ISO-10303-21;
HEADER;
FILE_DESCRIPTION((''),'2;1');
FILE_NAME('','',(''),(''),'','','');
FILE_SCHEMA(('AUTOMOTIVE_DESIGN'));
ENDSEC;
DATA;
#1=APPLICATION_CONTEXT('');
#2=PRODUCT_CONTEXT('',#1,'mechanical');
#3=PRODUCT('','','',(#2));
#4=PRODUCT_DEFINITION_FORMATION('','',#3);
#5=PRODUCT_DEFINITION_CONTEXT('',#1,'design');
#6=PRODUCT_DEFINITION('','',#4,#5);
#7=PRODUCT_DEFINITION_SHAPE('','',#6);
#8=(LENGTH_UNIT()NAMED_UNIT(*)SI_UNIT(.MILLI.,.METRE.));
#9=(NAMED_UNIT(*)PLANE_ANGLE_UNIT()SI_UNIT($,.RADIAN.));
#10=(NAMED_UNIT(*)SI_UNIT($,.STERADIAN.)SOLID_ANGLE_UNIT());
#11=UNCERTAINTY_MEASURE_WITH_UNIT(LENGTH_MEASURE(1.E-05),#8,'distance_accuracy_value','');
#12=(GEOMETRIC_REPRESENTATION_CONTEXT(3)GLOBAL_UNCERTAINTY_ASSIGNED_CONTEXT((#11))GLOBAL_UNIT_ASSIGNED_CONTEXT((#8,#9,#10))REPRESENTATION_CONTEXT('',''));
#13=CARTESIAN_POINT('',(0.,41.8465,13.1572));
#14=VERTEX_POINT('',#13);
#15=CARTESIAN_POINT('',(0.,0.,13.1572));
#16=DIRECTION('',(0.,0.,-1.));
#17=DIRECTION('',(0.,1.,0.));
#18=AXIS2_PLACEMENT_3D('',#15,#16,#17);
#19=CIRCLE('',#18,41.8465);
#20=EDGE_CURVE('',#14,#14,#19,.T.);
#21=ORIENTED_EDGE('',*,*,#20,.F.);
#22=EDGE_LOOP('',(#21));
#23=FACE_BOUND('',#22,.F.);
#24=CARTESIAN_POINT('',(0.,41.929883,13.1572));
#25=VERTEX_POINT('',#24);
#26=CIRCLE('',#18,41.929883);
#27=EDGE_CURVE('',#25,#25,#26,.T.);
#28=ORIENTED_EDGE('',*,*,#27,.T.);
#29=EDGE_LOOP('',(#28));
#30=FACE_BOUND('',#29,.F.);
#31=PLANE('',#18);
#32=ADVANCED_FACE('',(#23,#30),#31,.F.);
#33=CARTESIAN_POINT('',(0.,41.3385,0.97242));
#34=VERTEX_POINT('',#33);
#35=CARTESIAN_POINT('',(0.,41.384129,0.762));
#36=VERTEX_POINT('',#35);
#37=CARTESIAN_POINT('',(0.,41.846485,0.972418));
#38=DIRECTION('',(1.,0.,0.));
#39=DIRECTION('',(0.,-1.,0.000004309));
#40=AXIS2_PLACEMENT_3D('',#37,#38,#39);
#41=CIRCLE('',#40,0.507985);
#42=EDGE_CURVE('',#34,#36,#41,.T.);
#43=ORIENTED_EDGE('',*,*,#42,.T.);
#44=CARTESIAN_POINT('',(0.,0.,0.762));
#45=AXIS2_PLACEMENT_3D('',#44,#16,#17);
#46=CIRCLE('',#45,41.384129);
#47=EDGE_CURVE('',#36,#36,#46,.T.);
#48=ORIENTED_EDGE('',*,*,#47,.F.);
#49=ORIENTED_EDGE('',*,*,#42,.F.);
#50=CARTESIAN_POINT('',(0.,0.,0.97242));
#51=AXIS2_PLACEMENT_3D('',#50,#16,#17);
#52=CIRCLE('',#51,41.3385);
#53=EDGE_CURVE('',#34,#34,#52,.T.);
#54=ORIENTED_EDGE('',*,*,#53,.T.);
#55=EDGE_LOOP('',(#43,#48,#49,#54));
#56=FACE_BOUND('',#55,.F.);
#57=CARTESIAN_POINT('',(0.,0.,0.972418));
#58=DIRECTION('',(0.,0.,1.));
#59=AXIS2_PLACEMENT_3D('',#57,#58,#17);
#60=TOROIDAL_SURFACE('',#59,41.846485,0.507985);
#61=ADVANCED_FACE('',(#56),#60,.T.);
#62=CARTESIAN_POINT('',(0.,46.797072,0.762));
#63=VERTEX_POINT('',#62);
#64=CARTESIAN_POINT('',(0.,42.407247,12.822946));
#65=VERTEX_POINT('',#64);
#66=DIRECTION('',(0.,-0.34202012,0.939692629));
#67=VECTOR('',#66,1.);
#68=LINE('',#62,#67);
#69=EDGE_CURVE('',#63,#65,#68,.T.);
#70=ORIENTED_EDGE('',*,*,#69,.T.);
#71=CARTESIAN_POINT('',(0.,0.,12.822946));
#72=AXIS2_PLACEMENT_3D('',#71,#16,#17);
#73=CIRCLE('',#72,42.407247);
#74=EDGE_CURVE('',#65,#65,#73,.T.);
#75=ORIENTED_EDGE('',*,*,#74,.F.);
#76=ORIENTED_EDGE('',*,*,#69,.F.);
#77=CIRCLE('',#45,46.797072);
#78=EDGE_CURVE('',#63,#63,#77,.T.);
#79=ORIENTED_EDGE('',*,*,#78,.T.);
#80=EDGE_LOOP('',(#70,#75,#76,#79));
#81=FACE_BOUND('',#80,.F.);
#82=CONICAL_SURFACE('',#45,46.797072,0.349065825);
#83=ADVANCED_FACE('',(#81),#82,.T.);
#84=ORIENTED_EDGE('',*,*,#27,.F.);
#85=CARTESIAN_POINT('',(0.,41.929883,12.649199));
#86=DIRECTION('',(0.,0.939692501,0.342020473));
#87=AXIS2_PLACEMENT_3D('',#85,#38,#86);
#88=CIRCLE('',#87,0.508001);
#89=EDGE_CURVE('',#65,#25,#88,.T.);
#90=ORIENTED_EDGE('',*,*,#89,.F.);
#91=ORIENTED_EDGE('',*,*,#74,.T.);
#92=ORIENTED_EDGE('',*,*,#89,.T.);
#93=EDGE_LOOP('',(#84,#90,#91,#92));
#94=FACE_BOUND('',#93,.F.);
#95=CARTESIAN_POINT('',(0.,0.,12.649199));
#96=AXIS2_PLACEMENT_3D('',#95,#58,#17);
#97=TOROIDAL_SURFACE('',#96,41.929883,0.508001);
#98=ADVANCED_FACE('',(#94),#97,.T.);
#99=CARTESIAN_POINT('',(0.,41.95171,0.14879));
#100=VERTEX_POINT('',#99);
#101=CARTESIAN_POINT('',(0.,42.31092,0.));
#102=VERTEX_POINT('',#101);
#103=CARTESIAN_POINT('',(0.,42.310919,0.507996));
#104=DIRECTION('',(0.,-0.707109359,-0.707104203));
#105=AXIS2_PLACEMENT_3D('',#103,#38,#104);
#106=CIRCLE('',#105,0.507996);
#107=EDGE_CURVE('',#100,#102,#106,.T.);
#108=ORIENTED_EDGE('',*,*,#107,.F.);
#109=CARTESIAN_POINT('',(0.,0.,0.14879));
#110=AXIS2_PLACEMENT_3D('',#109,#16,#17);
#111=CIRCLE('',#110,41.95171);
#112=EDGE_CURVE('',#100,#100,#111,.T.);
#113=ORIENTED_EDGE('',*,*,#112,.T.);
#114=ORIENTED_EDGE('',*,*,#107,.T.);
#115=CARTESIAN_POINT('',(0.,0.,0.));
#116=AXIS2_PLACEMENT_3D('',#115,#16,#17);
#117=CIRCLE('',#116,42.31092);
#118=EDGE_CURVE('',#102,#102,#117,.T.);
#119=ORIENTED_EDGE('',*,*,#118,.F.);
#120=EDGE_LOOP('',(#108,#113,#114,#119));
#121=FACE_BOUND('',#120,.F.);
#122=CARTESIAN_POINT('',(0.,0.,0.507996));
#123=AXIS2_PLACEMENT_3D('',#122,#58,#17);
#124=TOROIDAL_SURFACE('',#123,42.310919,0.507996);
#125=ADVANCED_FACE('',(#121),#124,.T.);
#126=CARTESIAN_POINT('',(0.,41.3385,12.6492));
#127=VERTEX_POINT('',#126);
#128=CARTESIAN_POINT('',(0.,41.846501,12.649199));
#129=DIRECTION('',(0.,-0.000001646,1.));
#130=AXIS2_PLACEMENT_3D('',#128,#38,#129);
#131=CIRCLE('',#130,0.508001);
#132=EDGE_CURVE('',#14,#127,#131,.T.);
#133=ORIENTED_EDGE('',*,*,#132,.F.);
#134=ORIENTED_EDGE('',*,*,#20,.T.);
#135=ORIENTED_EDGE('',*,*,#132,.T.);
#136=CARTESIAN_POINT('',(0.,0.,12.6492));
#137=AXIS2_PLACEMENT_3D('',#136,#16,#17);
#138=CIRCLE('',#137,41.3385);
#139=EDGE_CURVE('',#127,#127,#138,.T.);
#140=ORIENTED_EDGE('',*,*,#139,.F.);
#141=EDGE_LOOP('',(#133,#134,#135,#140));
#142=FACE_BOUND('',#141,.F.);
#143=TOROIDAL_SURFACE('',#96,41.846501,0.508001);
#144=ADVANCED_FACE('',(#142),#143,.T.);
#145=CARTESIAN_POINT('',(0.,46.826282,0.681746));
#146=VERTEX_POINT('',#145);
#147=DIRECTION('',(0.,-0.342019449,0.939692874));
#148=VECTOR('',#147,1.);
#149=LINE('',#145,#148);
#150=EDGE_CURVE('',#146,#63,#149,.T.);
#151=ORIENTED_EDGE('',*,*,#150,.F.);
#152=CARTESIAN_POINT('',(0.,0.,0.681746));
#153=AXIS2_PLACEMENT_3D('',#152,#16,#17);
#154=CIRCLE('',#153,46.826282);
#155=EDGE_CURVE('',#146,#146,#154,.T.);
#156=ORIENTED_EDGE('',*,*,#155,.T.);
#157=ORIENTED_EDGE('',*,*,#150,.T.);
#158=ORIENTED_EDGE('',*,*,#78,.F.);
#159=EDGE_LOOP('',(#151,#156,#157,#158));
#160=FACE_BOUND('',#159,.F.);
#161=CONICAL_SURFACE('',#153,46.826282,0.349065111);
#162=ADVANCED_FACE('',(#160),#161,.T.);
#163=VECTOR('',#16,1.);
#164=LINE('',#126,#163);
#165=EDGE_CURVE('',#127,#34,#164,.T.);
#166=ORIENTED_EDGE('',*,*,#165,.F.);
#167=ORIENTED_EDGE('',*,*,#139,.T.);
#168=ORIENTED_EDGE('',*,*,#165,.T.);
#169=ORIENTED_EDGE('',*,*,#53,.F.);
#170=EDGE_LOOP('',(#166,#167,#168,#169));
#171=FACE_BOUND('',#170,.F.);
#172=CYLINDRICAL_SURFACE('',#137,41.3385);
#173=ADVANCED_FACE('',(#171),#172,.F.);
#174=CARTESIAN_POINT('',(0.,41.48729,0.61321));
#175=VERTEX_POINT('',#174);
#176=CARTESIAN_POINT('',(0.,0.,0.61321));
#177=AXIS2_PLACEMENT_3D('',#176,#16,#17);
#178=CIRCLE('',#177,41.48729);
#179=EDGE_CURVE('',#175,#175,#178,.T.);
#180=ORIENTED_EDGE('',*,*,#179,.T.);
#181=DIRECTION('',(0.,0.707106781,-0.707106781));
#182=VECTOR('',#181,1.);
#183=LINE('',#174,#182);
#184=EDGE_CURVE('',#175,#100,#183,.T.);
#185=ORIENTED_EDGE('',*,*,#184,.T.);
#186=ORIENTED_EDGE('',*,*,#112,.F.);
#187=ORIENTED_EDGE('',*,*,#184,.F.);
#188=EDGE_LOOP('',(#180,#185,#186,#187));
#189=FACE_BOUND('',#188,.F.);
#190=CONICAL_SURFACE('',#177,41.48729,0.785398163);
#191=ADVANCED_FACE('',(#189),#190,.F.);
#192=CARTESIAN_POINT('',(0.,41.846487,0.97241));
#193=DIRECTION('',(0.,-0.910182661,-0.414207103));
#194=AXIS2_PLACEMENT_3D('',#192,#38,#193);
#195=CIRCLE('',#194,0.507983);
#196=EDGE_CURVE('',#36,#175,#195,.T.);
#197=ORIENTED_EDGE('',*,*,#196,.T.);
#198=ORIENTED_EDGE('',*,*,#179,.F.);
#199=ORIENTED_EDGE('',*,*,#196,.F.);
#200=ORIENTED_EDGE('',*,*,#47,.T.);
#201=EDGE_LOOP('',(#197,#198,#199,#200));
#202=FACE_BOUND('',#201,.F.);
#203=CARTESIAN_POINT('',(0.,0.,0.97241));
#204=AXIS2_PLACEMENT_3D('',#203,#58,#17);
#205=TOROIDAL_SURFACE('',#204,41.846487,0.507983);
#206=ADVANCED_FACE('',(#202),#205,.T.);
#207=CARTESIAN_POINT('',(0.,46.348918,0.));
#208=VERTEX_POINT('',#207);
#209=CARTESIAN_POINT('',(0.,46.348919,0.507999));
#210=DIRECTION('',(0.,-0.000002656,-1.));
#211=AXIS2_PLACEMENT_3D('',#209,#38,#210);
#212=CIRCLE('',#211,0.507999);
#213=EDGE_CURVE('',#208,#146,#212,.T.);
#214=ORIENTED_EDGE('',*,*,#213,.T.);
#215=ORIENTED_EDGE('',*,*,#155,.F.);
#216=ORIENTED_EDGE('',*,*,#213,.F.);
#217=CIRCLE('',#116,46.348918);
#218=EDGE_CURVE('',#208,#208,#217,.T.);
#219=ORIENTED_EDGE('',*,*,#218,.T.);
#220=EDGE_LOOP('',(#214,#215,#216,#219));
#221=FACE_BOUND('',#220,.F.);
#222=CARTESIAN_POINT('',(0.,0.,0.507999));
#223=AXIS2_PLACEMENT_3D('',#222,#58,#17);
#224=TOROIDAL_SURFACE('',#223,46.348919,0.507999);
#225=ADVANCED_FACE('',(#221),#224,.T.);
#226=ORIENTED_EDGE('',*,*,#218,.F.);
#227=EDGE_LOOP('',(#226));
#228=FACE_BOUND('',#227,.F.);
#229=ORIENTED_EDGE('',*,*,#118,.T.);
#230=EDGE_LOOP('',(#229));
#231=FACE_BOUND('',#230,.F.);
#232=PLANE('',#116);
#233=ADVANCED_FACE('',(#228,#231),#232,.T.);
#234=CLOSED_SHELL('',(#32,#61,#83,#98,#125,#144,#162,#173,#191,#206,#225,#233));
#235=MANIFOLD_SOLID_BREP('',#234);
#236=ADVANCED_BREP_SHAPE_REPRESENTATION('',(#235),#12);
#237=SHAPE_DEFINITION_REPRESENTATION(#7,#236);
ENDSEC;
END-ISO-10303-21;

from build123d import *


with BuildPart() as f2:
    # F0 (on Right) → F2 (revolve)
    with BuildSketch(Plane.YZ):
        with BuildLine():
            ThreePointArc((41.95171, 0.14879), (42.116517, 0.038669), (42.31092, 0))
            Line((42.31092, 0), (46.348918, 0))
            ThreePointArc((46.348918, 0), (46.765048, 0.216623), (46.826282, 0.681746))
            Line((46.826282, 0.681746), (46.797072, 0.762))
            Line((46.797072, 0.762), (41.384129, 0.762))
            ThreePointArc((41.384129, 0.762), (41.429027, 0.682972), (41.48729, 0.61321))
            Line((41.48729, 0.61321), (41.95171, 0.14879))
        make_face()
        with BuildLine():
            Line((41.384129, 0.762), (46.797072, 0.762))
            Line((46.797072, 0.762), (42.407247, 12.822946))
            ThreePointArc((42.407247, 12.822946), (42.22126, 13.065329), (41.929883, 13.1572))
            Line((41.929883, 13.1572), (41.8465, 13.1572))
            ThreePointArc((41.8465, 13.1572), (41.48729, 13.00841), (41.3385, 12.6492))
            Line((41.3385, 12.6492), (41.3385, 0.97242))
            ThreePointArc((41.3385, 0.97242), (41.350038, 0.864765), (41.384129, 0.762))
        make_face()
    revolve(axis=Axis((0, 0, 4.76073), (0, 0, -1)))


solid = f2.part
